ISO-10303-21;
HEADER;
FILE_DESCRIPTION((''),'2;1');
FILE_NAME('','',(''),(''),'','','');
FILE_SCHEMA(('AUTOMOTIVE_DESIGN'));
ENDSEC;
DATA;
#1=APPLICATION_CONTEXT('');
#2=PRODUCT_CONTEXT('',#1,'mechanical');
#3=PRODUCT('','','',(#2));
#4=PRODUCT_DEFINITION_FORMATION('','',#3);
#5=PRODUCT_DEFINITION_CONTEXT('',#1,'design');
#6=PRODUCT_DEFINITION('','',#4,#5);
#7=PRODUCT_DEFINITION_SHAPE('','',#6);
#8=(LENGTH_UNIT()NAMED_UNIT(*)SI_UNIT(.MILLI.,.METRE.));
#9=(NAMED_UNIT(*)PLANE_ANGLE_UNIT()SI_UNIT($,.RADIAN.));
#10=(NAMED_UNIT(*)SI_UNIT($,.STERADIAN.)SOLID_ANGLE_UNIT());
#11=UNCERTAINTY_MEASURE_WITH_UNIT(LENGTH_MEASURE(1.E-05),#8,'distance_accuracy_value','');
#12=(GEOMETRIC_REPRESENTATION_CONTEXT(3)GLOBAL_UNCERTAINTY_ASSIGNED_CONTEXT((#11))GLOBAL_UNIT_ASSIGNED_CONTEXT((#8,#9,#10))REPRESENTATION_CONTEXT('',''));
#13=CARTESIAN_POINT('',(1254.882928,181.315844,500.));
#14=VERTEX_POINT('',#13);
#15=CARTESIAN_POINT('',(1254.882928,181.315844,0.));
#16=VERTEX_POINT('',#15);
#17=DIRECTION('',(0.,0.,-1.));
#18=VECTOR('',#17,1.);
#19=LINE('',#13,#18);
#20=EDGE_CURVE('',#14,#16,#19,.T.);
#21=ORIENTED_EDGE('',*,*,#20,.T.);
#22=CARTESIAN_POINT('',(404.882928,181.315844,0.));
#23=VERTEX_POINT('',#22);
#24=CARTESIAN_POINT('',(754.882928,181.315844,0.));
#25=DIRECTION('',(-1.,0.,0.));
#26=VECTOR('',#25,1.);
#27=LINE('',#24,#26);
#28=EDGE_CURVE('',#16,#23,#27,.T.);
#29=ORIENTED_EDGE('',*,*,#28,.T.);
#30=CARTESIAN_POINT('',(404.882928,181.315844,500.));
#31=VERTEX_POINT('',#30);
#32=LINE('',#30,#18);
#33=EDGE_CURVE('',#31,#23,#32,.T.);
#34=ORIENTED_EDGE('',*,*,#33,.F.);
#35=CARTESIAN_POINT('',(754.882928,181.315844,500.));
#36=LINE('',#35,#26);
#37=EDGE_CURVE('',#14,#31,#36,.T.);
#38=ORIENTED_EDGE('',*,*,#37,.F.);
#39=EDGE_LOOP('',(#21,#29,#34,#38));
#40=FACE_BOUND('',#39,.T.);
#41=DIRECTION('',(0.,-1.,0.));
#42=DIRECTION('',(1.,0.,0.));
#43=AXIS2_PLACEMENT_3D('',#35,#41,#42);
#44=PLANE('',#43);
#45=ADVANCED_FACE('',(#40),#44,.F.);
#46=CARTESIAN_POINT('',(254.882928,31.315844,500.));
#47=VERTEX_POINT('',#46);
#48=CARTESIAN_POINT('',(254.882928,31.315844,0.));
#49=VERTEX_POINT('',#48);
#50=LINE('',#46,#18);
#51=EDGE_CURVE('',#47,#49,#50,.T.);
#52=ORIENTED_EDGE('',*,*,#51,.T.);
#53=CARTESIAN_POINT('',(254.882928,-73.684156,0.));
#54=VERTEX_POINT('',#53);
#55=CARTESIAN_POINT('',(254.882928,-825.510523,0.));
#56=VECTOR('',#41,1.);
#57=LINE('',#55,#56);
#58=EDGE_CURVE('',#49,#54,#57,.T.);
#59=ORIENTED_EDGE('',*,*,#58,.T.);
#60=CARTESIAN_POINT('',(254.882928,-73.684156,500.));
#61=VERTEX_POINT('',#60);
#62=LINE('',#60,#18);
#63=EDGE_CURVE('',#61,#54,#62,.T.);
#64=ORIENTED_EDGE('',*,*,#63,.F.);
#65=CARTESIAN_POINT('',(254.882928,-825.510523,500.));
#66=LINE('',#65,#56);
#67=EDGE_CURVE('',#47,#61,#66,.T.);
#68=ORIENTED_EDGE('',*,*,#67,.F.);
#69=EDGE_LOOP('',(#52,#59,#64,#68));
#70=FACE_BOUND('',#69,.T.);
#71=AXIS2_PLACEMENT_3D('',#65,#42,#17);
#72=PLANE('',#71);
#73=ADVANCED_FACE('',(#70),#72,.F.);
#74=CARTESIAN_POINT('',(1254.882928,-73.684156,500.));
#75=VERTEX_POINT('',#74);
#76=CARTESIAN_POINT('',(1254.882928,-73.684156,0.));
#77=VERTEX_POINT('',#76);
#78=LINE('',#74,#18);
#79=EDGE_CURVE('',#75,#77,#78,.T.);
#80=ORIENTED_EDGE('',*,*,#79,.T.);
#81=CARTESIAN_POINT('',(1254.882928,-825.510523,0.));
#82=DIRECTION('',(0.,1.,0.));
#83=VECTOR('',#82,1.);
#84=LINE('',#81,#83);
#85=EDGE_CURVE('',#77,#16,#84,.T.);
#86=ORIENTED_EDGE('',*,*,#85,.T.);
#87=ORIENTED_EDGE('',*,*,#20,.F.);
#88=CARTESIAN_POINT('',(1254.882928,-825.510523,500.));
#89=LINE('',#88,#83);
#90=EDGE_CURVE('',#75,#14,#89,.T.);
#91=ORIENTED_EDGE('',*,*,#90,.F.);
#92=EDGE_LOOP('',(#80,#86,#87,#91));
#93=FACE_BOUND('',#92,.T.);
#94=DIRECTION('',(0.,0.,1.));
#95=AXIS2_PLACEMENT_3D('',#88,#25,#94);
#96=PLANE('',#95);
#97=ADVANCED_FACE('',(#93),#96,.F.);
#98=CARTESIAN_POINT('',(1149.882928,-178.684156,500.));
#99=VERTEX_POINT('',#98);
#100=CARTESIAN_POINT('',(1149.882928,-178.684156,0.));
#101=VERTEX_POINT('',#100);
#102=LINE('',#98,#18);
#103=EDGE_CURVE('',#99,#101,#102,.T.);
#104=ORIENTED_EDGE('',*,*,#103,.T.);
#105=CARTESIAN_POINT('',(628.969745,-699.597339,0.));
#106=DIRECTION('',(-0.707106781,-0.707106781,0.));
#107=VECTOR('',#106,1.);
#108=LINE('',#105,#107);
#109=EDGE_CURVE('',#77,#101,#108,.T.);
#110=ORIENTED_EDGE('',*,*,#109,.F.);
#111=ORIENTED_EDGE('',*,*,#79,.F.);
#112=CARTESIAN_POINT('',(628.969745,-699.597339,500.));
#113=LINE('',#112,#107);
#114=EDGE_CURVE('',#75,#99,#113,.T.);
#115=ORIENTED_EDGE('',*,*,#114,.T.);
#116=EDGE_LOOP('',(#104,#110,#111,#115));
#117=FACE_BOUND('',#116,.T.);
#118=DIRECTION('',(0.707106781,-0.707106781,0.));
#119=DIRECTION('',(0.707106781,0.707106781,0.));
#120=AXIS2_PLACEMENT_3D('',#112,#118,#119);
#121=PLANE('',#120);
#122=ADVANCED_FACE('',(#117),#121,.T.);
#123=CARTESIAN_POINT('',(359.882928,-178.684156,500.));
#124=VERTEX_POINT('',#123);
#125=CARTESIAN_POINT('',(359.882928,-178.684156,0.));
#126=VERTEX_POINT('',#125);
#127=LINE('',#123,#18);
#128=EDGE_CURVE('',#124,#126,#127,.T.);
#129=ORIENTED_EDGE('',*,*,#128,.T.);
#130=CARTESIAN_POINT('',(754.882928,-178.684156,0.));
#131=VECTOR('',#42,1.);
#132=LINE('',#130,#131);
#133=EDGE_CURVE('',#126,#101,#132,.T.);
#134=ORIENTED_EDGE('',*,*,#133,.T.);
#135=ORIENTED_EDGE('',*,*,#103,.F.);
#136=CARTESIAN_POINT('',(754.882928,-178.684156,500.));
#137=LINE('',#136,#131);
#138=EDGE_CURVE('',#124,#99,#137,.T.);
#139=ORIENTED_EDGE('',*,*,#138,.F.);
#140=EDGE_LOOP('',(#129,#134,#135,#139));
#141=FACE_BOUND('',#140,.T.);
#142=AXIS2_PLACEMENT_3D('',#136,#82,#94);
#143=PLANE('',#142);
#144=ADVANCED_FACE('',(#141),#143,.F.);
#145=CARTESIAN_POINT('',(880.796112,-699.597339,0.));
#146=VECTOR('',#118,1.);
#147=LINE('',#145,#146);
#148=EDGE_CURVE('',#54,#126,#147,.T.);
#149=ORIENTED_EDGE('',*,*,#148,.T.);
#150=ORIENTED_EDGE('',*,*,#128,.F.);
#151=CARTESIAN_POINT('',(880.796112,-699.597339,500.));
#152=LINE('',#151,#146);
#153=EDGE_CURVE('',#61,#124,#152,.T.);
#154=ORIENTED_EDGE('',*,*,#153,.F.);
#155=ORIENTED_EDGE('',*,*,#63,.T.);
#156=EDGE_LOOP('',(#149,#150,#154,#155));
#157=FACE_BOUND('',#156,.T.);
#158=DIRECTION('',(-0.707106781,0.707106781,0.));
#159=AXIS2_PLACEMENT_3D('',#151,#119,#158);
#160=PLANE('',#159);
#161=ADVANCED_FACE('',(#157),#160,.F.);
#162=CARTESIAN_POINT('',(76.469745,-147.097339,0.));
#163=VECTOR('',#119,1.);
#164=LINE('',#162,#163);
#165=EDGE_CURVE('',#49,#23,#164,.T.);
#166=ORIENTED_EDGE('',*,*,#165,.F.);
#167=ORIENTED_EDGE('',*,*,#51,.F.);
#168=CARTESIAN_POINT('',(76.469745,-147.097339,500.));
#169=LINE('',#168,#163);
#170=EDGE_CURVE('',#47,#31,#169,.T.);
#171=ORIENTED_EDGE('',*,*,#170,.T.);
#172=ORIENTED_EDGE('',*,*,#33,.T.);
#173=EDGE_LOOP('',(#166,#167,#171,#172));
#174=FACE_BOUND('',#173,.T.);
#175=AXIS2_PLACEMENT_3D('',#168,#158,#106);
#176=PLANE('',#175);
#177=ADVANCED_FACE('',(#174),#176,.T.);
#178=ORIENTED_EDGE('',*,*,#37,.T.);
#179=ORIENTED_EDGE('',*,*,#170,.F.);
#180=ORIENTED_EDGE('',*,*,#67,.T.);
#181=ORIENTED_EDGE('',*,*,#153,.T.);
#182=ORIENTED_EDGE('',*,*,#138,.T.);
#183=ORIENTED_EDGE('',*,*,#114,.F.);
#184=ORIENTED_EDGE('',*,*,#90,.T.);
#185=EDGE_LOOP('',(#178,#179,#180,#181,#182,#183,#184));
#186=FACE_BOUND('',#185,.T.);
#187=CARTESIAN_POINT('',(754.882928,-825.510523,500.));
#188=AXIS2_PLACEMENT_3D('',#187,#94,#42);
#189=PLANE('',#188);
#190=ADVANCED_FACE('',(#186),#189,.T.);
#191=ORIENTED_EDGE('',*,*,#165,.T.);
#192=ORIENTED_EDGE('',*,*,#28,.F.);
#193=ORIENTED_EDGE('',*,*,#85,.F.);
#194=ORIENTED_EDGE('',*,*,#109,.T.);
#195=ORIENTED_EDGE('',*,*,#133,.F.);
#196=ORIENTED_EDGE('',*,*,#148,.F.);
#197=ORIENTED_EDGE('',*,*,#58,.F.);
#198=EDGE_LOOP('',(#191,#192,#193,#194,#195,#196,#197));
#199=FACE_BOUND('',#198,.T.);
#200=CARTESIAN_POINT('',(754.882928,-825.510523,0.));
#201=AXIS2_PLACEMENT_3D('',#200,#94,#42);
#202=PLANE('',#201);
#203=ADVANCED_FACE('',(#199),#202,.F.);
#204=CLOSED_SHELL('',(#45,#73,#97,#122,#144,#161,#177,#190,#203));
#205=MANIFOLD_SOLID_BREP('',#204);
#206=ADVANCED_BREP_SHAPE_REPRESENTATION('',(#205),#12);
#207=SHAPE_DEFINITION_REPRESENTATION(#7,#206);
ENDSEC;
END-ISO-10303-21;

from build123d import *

# Parameters (mm, degrees)
BOSS_EXTRU_1_DEPTH = 500


with BuildPart() as part:
    # Esquisse1 → Boss.-Extru.1 (new body)
    with BuildSketch(Plane.XY):
        Polygon((404.882928221, 181.315844241), (254.882928221, 31.315844241), (254.882928221, -73.684155759), (359.882928221, -178.684155759), (1149.882928221, -178.684155759), (1254.882928221, -73.684155759), (1254.882928221, 181.315844241), align=None)
    extrude(amount=BOSS_EXTRU_1_DEPTH)


solid = part.part
